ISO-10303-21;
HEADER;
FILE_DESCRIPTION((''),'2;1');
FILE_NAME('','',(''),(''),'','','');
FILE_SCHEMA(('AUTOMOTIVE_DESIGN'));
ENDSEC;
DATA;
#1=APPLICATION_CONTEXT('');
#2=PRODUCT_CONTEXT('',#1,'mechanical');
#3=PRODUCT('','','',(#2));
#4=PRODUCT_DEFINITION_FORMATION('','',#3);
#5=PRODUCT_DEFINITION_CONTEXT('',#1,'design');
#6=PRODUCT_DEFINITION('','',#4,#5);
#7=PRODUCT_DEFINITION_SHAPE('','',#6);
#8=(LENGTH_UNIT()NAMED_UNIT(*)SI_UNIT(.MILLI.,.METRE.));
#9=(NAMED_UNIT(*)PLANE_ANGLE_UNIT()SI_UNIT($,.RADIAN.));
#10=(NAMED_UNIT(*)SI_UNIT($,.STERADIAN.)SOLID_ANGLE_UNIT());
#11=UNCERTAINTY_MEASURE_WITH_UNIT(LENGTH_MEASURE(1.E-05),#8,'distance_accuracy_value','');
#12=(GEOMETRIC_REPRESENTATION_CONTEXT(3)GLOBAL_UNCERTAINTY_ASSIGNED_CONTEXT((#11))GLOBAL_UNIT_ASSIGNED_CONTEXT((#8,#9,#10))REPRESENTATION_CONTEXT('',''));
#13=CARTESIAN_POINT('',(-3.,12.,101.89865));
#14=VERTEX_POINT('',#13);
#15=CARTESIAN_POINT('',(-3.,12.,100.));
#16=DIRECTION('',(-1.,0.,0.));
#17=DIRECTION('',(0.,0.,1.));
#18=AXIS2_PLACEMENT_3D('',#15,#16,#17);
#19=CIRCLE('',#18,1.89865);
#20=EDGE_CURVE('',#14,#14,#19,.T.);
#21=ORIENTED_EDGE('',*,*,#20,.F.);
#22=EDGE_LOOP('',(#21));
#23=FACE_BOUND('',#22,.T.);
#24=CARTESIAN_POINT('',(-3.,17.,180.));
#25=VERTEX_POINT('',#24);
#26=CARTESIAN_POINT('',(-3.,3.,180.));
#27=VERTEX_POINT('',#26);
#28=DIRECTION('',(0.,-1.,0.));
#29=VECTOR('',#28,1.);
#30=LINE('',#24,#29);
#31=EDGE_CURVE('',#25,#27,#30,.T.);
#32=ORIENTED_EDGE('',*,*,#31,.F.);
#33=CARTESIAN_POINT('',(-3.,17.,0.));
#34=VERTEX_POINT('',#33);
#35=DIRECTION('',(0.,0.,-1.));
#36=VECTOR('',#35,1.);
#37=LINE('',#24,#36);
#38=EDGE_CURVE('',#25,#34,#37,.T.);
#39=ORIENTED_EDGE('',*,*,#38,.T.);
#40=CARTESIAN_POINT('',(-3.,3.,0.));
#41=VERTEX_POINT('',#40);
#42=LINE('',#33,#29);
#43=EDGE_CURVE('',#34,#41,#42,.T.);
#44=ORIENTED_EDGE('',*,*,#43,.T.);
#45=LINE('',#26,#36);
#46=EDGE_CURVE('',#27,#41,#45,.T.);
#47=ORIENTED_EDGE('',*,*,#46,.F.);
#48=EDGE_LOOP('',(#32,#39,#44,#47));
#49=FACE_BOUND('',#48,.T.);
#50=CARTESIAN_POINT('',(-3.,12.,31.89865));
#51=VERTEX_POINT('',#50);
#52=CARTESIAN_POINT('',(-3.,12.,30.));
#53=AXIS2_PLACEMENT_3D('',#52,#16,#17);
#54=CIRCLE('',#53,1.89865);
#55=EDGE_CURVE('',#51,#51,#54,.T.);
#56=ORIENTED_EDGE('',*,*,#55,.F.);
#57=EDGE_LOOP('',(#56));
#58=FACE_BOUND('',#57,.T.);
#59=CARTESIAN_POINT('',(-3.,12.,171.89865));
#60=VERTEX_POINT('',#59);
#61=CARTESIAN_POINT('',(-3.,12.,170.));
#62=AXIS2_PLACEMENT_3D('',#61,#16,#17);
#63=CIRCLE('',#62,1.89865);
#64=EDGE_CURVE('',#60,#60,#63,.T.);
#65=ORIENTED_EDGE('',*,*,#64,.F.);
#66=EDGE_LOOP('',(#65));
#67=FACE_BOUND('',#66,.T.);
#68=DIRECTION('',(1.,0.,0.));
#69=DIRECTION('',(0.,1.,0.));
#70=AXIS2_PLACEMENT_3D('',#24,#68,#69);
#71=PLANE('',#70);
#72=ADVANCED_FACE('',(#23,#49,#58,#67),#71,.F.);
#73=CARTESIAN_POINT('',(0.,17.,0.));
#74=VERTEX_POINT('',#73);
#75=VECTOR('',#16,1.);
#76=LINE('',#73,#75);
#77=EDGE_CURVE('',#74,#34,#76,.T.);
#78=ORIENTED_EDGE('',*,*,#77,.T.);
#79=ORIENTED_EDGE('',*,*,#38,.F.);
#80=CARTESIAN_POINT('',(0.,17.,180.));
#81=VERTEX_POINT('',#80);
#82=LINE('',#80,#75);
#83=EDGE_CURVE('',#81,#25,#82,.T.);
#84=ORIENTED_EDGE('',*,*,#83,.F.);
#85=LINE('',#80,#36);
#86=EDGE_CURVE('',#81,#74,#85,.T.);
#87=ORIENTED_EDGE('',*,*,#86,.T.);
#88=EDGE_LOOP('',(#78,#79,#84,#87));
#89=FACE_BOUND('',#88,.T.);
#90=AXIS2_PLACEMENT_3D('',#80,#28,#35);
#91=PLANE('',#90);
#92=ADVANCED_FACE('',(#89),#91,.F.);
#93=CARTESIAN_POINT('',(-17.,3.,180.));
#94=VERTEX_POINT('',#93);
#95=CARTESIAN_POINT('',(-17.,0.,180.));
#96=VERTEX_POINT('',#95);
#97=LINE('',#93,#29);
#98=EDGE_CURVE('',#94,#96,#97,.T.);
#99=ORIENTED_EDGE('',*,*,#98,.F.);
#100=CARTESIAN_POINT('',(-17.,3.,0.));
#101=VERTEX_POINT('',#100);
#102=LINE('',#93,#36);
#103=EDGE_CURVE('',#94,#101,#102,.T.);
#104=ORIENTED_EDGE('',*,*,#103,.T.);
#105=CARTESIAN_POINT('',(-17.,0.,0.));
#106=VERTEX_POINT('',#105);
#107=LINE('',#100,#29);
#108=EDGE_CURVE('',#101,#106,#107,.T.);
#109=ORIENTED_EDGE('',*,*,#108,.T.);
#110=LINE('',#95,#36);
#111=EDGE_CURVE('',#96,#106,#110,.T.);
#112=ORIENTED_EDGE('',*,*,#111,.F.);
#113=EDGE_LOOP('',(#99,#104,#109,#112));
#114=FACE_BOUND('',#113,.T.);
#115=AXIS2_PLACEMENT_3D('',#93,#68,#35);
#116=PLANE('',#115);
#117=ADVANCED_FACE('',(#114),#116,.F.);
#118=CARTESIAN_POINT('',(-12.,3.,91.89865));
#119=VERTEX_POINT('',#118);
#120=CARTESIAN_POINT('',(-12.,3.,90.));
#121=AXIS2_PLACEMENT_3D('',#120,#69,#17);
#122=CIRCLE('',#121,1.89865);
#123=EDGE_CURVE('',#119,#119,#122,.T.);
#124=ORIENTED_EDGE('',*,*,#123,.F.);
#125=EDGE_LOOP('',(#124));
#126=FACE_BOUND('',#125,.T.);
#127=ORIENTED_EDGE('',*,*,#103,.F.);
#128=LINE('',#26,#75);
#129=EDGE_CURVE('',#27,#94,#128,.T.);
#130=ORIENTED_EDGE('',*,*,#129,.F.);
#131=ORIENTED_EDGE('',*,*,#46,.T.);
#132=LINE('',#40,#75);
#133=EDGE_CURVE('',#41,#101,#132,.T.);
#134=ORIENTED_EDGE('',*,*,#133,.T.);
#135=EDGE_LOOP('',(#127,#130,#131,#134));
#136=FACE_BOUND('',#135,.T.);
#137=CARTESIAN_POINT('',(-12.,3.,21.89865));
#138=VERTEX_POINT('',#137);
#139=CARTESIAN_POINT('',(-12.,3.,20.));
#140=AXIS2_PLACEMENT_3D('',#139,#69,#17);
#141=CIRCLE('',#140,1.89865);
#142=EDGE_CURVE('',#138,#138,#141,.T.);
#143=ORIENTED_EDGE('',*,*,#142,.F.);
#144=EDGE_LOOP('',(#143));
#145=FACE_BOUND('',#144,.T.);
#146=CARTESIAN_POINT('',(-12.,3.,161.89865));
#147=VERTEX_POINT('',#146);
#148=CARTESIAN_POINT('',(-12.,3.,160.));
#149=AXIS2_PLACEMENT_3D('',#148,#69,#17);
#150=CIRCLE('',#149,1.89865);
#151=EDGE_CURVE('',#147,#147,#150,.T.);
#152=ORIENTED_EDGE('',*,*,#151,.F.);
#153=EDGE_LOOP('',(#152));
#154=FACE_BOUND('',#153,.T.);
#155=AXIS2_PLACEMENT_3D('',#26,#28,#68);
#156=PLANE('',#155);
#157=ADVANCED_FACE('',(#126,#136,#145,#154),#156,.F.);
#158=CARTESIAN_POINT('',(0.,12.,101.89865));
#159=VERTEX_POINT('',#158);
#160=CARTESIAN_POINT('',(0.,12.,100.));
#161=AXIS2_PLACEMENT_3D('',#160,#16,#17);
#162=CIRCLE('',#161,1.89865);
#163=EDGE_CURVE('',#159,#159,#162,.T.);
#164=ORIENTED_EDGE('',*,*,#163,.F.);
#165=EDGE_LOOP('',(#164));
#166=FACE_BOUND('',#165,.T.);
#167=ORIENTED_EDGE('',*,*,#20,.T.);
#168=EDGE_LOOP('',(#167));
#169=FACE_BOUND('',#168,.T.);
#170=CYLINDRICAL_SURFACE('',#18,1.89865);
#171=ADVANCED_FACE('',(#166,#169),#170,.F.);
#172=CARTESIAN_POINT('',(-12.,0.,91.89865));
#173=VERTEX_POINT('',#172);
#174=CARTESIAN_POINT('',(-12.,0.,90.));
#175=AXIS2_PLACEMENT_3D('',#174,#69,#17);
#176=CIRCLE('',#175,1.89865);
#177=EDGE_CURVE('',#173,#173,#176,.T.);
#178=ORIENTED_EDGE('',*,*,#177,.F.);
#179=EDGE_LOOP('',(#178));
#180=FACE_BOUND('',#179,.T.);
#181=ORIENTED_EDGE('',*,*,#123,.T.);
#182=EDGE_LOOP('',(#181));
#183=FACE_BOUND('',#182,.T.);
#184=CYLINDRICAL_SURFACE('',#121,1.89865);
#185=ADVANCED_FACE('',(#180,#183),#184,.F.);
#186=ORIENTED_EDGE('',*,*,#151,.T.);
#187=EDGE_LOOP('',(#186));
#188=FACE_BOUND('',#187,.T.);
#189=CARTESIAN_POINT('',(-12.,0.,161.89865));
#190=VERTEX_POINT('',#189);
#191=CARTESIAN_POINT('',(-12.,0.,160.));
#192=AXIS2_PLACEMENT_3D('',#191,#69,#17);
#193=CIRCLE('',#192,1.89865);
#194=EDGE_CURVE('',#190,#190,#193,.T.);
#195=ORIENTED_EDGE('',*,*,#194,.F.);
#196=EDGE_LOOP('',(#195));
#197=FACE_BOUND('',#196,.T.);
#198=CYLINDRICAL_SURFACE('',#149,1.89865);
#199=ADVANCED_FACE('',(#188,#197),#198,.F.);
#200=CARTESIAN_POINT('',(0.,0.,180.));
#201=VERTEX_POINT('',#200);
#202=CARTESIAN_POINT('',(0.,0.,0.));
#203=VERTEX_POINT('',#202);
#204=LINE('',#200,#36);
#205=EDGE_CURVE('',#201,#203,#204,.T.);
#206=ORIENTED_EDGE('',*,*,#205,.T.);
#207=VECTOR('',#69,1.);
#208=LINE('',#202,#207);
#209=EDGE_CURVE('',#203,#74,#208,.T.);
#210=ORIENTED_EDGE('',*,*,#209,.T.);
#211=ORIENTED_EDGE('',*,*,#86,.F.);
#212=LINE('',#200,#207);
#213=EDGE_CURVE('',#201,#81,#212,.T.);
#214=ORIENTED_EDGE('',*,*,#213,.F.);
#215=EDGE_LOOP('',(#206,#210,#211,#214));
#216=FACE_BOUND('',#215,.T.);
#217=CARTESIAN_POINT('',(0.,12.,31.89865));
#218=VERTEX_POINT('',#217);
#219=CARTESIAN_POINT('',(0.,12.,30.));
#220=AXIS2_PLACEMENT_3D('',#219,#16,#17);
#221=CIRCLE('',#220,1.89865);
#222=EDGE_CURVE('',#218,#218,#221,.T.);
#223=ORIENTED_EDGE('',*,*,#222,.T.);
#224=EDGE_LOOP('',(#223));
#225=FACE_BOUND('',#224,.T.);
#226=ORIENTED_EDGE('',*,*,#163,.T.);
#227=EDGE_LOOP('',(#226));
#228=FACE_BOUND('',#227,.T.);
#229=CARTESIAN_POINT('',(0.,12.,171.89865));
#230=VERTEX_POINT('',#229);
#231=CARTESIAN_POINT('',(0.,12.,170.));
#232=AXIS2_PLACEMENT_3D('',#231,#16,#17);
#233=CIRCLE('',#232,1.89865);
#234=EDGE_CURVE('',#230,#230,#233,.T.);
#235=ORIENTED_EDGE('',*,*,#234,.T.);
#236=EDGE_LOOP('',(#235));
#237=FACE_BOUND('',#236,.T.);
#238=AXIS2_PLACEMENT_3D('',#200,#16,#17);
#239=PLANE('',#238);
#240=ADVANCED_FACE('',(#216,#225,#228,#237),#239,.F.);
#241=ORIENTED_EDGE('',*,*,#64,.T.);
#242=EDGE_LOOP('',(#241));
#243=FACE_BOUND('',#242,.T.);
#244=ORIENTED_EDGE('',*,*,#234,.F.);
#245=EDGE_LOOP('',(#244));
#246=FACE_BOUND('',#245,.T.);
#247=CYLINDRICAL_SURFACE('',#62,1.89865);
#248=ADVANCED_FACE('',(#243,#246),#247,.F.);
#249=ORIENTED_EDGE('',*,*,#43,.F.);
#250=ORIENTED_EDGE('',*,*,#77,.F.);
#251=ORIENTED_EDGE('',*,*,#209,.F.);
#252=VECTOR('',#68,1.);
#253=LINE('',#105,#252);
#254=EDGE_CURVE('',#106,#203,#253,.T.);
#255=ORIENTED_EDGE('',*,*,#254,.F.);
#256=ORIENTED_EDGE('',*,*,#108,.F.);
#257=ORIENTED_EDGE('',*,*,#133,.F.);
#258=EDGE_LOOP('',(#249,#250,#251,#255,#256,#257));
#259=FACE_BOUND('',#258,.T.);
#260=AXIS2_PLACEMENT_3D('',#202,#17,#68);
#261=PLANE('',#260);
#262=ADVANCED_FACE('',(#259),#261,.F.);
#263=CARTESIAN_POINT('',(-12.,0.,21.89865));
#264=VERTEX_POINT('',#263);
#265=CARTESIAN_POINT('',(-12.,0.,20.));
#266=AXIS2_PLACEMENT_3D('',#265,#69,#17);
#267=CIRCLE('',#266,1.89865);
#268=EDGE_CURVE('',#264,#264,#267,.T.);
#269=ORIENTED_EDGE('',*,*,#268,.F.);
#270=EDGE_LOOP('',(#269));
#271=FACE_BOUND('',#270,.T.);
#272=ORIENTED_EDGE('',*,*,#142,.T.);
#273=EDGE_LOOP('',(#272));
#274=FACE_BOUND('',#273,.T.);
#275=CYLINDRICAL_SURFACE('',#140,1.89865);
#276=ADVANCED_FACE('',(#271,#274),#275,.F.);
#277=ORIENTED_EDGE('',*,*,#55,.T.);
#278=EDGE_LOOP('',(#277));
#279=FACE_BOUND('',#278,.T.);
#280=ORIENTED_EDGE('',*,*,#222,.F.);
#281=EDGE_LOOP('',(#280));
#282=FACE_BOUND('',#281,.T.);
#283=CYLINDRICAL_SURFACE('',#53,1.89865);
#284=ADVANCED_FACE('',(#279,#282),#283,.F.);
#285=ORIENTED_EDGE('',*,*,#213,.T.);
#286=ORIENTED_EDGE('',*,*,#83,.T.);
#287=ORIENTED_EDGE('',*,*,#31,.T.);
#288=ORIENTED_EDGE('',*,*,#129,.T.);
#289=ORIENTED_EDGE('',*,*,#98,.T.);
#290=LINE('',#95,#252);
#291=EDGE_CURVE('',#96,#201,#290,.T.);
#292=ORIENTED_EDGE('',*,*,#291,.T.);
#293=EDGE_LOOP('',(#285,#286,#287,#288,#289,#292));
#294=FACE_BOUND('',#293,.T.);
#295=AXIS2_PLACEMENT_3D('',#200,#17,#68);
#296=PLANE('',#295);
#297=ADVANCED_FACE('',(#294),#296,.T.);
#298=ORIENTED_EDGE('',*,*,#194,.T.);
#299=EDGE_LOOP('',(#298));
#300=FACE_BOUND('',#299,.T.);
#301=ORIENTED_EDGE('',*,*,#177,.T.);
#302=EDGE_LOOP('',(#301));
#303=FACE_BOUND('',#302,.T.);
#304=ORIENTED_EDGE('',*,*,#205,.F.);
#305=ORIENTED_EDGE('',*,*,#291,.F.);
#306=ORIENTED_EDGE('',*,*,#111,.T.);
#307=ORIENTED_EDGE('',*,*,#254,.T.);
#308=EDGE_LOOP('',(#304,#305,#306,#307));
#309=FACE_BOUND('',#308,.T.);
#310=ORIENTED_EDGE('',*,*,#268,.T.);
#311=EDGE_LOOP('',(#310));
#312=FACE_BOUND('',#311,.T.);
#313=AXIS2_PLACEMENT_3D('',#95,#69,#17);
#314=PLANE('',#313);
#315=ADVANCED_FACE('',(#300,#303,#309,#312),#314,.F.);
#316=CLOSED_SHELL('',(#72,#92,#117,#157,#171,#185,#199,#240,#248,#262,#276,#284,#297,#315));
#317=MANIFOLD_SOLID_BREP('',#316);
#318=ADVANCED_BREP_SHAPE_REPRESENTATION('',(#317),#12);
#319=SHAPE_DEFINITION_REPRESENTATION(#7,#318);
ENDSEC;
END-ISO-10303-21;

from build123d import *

# Parameters (mm, degrees)
BOSS_EXTRUDE1_DEPTH   = 180
F_6_CLEARANCE_HOLE1_D = 3.7973
F_6_CLEARANCE_HOLE2_D = 3.7973


with BuildPart() as part:
    # Sketch1 → Boss-Extrude1 (new body)
    with BuildSketch(Plane.XY):
        Polygon((0, 0), (0, 17), (-3, 17), (-3, 3), (-17, 3), (-17, 0), align=None)
    extrude(amount=BOSS_EXTRUDE1_DEPTH)

    # #6 Clearance Hole1 (through all)
    with Locations(Plane.ZY.offset(3)):
        with Locations((30, 12), (100, 12), (170, 12)):
            Hole(F_6_CLEARANCE_HOLE1_D / 2)

    # #6 Clearance Hole2 (through all)
    with Locations(Plane(origin=(0, 3, 0), x_dir=(1, 0, 0), z_dir=(0, 1, 0))):
        with Locations((-12, -20), (-12, -90), (-12, -160)):
            Hole(F_6_CLEARANCE_HOLE2_D / 2)


solid = part.part
